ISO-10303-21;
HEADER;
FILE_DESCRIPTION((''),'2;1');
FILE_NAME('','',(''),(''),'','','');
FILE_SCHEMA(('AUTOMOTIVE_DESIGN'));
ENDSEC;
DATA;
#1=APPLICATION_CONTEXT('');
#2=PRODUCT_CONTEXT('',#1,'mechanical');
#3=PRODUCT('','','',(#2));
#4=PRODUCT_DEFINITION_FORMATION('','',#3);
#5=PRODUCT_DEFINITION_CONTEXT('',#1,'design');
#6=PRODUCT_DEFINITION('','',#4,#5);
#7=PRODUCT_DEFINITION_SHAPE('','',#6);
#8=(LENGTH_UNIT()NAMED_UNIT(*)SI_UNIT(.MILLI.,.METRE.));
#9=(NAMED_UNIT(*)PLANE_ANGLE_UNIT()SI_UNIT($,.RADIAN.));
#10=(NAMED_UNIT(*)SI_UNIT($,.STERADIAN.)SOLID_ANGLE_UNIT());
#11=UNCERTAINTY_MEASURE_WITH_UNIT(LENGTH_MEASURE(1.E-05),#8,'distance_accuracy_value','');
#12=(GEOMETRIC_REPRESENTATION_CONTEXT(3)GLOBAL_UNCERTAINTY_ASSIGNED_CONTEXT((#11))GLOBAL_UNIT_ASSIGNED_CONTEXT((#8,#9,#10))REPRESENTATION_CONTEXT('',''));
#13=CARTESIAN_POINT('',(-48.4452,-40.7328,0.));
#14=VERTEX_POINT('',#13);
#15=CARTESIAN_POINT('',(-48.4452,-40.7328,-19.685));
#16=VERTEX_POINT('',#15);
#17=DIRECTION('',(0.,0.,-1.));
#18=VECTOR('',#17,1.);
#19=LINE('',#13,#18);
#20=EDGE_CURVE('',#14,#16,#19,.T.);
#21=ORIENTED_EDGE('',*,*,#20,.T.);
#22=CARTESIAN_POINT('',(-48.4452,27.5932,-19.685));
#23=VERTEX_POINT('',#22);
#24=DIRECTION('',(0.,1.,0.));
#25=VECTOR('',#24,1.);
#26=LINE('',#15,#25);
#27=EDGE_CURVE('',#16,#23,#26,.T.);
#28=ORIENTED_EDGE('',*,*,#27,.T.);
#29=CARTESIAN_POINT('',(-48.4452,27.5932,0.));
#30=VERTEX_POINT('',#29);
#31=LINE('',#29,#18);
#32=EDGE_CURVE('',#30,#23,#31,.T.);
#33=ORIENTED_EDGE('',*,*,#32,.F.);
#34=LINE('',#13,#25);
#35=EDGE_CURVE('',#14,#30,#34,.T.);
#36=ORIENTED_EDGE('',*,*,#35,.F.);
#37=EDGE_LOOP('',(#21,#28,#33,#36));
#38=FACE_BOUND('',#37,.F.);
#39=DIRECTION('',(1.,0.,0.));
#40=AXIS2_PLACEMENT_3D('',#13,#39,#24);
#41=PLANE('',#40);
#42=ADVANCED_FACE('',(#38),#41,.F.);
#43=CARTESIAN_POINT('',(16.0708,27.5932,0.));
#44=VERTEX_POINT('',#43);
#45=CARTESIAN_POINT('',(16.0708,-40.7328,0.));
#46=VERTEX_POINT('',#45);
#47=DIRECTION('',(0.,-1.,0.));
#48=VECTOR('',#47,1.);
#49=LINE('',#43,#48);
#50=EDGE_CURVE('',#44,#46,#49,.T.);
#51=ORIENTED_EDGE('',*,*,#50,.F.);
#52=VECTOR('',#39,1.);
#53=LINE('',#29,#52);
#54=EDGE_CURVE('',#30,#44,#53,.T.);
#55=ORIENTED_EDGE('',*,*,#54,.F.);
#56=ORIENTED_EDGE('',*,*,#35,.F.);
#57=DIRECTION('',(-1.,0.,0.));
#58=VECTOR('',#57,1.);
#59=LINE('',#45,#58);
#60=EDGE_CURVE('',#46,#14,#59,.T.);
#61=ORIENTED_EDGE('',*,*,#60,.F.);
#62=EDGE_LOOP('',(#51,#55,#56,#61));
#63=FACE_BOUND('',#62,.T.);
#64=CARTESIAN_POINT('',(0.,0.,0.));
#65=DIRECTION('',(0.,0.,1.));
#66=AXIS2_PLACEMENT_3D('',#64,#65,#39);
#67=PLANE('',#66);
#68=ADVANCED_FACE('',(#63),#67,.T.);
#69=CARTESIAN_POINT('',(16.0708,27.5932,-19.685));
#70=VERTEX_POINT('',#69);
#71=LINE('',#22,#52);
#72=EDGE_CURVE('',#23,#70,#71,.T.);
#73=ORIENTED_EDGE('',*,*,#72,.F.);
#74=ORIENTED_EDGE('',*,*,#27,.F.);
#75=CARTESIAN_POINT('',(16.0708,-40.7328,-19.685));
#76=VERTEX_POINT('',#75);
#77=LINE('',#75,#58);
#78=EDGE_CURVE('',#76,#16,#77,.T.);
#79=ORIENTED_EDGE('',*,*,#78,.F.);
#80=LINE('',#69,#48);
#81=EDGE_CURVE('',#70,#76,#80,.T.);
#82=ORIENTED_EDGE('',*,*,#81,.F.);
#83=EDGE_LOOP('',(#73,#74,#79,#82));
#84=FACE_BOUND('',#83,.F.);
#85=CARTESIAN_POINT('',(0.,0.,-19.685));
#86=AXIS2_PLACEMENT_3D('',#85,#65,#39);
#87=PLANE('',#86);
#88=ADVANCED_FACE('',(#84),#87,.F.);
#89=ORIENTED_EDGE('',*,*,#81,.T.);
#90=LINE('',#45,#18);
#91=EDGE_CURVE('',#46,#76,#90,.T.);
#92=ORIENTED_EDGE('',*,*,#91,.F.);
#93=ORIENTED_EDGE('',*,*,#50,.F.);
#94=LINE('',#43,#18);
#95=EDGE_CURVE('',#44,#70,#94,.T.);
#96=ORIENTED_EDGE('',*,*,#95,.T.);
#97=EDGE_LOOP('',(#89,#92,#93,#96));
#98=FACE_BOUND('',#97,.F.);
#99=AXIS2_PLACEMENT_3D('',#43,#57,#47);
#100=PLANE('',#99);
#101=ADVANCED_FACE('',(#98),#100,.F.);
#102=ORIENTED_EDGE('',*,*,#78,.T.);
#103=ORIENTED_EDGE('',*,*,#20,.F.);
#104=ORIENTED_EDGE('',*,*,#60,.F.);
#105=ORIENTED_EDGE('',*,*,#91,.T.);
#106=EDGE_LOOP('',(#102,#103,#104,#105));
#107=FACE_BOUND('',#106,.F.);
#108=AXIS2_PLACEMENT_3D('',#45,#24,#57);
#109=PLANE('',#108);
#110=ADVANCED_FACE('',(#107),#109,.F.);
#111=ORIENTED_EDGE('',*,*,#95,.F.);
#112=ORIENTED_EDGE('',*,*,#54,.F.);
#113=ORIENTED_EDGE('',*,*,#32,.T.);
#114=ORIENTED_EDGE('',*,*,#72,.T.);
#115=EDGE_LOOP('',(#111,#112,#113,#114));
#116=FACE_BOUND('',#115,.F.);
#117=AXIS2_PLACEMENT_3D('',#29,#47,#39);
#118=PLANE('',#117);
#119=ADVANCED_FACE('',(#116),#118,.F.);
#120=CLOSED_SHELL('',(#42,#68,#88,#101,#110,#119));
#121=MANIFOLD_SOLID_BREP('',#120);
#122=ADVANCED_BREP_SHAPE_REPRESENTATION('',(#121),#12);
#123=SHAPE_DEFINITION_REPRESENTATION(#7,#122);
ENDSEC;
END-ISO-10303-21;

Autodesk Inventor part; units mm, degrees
ref_plane "YZ Plane" through (0, 0, 0) normal (1, 0, 0) x (0, 1, 0)
ref_plane "XZ Plane" through (0, 0, 0) normal (0, 1, 0) x (-1, 0, 0)
ref_plane "XY Plane" through (0, 0, 0) normal (0, 0, 1) x (1, 0, 0)
sketch "Sketch1" plane through (0, 0, 0) normal (0, 0, 1) x (1, 0, 0)
  line L0 (-48.4452, 27.5932) -> (16.0708, 27.5932)
  line L1 (16.0708, 27.5932) -> (16.0708, -40.7328)
  line L2 (16.0708, -40.7328) -> (-48.4452, -40.7328)
  line L3 (-48.4452, -40.7328) -> (-48.4452, 27.5932)
  line L4 (-19.8209, 25.7702) -> (-12.7814, 25.7702) construction
  line L5 (-12.7814, 25.7702) -> (-12.7814, 20.739) construction
  line L6 (-12.7814, 20.739) -> (-19.8209, 20.739) construction
  line L7 (-19.8209, 20.739) -> (-19.8209, 25.7702) construction
  point P0 (0, 0)
  dimension "d0" = 68.326
  dimension "d1" = 64.516
extrude "Extrusion1" add sketch "Sketch1" against normal blind 19.685
properties part number "battery case"
